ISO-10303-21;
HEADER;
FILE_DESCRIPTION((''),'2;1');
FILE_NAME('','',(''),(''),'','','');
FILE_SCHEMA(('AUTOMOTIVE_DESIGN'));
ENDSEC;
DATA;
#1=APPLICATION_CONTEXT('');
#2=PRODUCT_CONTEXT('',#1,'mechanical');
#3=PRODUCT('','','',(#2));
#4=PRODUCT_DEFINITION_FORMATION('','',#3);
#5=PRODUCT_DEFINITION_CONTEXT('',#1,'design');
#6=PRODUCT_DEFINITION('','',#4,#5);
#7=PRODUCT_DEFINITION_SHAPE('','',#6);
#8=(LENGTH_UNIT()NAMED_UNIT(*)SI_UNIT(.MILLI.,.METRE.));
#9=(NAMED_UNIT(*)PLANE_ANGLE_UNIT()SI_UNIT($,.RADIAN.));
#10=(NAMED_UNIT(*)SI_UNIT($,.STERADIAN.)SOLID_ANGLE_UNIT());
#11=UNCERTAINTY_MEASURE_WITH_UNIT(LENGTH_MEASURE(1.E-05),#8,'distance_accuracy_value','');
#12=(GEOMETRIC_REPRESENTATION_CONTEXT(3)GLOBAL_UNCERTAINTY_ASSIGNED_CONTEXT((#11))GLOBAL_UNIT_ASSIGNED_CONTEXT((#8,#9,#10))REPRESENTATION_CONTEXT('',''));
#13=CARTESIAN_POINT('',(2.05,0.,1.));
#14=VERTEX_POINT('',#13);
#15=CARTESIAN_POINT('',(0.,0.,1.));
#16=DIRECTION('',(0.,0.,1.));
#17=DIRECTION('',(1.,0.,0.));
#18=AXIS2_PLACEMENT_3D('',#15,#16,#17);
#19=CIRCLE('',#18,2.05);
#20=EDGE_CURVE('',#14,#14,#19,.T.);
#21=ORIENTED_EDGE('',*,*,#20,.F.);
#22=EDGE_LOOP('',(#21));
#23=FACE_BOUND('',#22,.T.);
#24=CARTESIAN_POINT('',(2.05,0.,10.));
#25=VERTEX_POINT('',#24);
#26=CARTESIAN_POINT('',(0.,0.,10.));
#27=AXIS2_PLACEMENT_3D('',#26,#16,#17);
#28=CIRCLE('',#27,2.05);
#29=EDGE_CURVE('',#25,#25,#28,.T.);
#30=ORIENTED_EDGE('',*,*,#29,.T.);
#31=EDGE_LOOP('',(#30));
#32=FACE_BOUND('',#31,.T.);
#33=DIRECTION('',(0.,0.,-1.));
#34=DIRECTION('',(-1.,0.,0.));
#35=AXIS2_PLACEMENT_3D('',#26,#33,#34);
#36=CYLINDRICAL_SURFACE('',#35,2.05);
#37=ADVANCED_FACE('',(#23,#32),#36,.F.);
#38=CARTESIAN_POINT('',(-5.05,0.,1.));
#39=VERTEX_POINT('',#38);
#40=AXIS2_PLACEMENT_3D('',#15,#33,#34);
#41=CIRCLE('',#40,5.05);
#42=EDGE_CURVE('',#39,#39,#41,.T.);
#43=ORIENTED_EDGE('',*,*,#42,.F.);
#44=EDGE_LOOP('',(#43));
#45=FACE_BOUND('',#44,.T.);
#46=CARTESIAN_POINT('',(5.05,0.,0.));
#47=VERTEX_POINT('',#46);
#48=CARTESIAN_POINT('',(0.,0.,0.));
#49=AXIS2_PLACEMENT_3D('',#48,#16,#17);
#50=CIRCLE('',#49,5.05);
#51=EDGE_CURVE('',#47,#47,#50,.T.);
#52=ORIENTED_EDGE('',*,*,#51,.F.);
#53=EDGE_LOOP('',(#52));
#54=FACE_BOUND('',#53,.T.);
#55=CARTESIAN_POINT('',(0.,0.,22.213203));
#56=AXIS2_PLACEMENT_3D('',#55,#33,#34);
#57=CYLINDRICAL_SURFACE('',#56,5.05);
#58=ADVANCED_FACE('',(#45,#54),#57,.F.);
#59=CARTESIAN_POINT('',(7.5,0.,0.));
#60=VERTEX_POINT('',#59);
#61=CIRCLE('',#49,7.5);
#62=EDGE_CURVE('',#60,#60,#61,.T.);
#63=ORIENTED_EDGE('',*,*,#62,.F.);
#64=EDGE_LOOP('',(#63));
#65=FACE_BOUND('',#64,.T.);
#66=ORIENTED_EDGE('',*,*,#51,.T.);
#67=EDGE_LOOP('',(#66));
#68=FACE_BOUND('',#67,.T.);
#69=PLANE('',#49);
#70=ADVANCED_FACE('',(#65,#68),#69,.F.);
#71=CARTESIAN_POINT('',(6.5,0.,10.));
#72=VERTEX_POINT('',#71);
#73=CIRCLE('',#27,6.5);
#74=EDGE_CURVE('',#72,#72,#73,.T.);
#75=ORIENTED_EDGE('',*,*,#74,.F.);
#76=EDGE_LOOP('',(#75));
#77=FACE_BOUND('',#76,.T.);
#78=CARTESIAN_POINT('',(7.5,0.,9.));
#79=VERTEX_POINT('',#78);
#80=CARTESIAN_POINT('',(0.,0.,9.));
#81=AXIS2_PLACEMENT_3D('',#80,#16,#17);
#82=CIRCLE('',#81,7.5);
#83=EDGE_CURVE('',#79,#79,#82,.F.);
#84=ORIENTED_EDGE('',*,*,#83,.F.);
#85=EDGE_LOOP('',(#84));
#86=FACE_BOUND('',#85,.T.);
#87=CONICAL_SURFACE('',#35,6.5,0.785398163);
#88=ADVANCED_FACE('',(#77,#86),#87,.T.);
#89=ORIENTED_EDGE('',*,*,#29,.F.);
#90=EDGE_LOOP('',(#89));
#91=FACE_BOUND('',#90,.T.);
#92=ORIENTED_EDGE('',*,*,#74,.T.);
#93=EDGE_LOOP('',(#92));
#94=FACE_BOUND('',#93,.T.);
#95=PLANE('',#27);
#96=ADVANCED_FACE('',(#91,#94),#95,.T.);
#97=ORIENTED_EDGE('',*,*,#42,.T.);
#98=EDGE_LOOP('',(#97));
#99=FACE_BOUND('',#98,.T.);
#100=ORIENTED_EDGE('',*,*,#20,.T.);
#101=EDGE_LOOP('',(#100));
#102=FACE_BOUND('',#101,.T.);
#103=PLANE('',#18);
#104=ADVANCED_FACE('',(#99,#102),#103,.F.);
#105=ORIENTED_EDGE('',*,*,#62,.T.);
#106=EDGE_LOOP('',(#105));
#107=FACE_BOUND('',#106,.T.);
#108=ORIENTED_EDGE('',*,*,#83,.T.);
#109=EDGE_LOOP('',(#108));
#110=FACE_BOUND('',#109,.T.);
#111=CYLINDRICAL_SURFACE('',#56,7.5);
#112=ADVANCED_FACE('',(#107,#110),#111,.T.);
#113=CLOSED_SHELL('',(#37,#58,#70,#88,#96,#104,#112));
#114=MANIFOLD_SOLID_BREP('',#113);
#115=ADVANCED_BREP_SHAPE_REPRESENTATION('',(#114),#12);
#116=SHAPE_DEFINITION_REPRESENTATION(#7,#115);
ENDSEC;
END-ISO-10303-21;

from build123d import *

# Parameters (mm, degrees)
ESQUISSE1_R        = 7.5
ESQUISSE1_R_2      = 5.05
BOSS_EXTRU_1_DEPTH = 1
ESQUISSE2_R        = 7.5
ESQUISSE2_R_2      = 2.05
BOSS_EXTRU_2_DEPTH = 9
CHANFREIN1_SIZE    = 1


with BuildPart() as part:
    # Esquisse1 → Boss.-Extru.1 (new body)
    with BuildSketch(Plane.XY):
        Circle(ESQUISSE1_R)
        Circle(ESQUISSE1_R_2, mode=Mode.SUBTRACT)
    extrude(amount=BOSS_EXTRU_1_DEPTH)

    # Esquisse2 → Boss.-Extru.2 (add)
    with BuildSketch(Plane.XY.offset(1)):
        Circle(ESQUISSE2_R)
        Circle(ESQUISSE2_R_2, mode=Mode.SUBTRACT)
    extrude(amount=BOSS_EXTRU_2_DEPTH)

    # Chanfrein1
    chanfrein1_edges = [part.edges().sort_by_distance(p)[0] for p in [
        (-7.5, 0, 10),
    ]]
    chamfer(chanfrein1_edges, length=CHANFREIN1_SIZE)


solid = part.part
